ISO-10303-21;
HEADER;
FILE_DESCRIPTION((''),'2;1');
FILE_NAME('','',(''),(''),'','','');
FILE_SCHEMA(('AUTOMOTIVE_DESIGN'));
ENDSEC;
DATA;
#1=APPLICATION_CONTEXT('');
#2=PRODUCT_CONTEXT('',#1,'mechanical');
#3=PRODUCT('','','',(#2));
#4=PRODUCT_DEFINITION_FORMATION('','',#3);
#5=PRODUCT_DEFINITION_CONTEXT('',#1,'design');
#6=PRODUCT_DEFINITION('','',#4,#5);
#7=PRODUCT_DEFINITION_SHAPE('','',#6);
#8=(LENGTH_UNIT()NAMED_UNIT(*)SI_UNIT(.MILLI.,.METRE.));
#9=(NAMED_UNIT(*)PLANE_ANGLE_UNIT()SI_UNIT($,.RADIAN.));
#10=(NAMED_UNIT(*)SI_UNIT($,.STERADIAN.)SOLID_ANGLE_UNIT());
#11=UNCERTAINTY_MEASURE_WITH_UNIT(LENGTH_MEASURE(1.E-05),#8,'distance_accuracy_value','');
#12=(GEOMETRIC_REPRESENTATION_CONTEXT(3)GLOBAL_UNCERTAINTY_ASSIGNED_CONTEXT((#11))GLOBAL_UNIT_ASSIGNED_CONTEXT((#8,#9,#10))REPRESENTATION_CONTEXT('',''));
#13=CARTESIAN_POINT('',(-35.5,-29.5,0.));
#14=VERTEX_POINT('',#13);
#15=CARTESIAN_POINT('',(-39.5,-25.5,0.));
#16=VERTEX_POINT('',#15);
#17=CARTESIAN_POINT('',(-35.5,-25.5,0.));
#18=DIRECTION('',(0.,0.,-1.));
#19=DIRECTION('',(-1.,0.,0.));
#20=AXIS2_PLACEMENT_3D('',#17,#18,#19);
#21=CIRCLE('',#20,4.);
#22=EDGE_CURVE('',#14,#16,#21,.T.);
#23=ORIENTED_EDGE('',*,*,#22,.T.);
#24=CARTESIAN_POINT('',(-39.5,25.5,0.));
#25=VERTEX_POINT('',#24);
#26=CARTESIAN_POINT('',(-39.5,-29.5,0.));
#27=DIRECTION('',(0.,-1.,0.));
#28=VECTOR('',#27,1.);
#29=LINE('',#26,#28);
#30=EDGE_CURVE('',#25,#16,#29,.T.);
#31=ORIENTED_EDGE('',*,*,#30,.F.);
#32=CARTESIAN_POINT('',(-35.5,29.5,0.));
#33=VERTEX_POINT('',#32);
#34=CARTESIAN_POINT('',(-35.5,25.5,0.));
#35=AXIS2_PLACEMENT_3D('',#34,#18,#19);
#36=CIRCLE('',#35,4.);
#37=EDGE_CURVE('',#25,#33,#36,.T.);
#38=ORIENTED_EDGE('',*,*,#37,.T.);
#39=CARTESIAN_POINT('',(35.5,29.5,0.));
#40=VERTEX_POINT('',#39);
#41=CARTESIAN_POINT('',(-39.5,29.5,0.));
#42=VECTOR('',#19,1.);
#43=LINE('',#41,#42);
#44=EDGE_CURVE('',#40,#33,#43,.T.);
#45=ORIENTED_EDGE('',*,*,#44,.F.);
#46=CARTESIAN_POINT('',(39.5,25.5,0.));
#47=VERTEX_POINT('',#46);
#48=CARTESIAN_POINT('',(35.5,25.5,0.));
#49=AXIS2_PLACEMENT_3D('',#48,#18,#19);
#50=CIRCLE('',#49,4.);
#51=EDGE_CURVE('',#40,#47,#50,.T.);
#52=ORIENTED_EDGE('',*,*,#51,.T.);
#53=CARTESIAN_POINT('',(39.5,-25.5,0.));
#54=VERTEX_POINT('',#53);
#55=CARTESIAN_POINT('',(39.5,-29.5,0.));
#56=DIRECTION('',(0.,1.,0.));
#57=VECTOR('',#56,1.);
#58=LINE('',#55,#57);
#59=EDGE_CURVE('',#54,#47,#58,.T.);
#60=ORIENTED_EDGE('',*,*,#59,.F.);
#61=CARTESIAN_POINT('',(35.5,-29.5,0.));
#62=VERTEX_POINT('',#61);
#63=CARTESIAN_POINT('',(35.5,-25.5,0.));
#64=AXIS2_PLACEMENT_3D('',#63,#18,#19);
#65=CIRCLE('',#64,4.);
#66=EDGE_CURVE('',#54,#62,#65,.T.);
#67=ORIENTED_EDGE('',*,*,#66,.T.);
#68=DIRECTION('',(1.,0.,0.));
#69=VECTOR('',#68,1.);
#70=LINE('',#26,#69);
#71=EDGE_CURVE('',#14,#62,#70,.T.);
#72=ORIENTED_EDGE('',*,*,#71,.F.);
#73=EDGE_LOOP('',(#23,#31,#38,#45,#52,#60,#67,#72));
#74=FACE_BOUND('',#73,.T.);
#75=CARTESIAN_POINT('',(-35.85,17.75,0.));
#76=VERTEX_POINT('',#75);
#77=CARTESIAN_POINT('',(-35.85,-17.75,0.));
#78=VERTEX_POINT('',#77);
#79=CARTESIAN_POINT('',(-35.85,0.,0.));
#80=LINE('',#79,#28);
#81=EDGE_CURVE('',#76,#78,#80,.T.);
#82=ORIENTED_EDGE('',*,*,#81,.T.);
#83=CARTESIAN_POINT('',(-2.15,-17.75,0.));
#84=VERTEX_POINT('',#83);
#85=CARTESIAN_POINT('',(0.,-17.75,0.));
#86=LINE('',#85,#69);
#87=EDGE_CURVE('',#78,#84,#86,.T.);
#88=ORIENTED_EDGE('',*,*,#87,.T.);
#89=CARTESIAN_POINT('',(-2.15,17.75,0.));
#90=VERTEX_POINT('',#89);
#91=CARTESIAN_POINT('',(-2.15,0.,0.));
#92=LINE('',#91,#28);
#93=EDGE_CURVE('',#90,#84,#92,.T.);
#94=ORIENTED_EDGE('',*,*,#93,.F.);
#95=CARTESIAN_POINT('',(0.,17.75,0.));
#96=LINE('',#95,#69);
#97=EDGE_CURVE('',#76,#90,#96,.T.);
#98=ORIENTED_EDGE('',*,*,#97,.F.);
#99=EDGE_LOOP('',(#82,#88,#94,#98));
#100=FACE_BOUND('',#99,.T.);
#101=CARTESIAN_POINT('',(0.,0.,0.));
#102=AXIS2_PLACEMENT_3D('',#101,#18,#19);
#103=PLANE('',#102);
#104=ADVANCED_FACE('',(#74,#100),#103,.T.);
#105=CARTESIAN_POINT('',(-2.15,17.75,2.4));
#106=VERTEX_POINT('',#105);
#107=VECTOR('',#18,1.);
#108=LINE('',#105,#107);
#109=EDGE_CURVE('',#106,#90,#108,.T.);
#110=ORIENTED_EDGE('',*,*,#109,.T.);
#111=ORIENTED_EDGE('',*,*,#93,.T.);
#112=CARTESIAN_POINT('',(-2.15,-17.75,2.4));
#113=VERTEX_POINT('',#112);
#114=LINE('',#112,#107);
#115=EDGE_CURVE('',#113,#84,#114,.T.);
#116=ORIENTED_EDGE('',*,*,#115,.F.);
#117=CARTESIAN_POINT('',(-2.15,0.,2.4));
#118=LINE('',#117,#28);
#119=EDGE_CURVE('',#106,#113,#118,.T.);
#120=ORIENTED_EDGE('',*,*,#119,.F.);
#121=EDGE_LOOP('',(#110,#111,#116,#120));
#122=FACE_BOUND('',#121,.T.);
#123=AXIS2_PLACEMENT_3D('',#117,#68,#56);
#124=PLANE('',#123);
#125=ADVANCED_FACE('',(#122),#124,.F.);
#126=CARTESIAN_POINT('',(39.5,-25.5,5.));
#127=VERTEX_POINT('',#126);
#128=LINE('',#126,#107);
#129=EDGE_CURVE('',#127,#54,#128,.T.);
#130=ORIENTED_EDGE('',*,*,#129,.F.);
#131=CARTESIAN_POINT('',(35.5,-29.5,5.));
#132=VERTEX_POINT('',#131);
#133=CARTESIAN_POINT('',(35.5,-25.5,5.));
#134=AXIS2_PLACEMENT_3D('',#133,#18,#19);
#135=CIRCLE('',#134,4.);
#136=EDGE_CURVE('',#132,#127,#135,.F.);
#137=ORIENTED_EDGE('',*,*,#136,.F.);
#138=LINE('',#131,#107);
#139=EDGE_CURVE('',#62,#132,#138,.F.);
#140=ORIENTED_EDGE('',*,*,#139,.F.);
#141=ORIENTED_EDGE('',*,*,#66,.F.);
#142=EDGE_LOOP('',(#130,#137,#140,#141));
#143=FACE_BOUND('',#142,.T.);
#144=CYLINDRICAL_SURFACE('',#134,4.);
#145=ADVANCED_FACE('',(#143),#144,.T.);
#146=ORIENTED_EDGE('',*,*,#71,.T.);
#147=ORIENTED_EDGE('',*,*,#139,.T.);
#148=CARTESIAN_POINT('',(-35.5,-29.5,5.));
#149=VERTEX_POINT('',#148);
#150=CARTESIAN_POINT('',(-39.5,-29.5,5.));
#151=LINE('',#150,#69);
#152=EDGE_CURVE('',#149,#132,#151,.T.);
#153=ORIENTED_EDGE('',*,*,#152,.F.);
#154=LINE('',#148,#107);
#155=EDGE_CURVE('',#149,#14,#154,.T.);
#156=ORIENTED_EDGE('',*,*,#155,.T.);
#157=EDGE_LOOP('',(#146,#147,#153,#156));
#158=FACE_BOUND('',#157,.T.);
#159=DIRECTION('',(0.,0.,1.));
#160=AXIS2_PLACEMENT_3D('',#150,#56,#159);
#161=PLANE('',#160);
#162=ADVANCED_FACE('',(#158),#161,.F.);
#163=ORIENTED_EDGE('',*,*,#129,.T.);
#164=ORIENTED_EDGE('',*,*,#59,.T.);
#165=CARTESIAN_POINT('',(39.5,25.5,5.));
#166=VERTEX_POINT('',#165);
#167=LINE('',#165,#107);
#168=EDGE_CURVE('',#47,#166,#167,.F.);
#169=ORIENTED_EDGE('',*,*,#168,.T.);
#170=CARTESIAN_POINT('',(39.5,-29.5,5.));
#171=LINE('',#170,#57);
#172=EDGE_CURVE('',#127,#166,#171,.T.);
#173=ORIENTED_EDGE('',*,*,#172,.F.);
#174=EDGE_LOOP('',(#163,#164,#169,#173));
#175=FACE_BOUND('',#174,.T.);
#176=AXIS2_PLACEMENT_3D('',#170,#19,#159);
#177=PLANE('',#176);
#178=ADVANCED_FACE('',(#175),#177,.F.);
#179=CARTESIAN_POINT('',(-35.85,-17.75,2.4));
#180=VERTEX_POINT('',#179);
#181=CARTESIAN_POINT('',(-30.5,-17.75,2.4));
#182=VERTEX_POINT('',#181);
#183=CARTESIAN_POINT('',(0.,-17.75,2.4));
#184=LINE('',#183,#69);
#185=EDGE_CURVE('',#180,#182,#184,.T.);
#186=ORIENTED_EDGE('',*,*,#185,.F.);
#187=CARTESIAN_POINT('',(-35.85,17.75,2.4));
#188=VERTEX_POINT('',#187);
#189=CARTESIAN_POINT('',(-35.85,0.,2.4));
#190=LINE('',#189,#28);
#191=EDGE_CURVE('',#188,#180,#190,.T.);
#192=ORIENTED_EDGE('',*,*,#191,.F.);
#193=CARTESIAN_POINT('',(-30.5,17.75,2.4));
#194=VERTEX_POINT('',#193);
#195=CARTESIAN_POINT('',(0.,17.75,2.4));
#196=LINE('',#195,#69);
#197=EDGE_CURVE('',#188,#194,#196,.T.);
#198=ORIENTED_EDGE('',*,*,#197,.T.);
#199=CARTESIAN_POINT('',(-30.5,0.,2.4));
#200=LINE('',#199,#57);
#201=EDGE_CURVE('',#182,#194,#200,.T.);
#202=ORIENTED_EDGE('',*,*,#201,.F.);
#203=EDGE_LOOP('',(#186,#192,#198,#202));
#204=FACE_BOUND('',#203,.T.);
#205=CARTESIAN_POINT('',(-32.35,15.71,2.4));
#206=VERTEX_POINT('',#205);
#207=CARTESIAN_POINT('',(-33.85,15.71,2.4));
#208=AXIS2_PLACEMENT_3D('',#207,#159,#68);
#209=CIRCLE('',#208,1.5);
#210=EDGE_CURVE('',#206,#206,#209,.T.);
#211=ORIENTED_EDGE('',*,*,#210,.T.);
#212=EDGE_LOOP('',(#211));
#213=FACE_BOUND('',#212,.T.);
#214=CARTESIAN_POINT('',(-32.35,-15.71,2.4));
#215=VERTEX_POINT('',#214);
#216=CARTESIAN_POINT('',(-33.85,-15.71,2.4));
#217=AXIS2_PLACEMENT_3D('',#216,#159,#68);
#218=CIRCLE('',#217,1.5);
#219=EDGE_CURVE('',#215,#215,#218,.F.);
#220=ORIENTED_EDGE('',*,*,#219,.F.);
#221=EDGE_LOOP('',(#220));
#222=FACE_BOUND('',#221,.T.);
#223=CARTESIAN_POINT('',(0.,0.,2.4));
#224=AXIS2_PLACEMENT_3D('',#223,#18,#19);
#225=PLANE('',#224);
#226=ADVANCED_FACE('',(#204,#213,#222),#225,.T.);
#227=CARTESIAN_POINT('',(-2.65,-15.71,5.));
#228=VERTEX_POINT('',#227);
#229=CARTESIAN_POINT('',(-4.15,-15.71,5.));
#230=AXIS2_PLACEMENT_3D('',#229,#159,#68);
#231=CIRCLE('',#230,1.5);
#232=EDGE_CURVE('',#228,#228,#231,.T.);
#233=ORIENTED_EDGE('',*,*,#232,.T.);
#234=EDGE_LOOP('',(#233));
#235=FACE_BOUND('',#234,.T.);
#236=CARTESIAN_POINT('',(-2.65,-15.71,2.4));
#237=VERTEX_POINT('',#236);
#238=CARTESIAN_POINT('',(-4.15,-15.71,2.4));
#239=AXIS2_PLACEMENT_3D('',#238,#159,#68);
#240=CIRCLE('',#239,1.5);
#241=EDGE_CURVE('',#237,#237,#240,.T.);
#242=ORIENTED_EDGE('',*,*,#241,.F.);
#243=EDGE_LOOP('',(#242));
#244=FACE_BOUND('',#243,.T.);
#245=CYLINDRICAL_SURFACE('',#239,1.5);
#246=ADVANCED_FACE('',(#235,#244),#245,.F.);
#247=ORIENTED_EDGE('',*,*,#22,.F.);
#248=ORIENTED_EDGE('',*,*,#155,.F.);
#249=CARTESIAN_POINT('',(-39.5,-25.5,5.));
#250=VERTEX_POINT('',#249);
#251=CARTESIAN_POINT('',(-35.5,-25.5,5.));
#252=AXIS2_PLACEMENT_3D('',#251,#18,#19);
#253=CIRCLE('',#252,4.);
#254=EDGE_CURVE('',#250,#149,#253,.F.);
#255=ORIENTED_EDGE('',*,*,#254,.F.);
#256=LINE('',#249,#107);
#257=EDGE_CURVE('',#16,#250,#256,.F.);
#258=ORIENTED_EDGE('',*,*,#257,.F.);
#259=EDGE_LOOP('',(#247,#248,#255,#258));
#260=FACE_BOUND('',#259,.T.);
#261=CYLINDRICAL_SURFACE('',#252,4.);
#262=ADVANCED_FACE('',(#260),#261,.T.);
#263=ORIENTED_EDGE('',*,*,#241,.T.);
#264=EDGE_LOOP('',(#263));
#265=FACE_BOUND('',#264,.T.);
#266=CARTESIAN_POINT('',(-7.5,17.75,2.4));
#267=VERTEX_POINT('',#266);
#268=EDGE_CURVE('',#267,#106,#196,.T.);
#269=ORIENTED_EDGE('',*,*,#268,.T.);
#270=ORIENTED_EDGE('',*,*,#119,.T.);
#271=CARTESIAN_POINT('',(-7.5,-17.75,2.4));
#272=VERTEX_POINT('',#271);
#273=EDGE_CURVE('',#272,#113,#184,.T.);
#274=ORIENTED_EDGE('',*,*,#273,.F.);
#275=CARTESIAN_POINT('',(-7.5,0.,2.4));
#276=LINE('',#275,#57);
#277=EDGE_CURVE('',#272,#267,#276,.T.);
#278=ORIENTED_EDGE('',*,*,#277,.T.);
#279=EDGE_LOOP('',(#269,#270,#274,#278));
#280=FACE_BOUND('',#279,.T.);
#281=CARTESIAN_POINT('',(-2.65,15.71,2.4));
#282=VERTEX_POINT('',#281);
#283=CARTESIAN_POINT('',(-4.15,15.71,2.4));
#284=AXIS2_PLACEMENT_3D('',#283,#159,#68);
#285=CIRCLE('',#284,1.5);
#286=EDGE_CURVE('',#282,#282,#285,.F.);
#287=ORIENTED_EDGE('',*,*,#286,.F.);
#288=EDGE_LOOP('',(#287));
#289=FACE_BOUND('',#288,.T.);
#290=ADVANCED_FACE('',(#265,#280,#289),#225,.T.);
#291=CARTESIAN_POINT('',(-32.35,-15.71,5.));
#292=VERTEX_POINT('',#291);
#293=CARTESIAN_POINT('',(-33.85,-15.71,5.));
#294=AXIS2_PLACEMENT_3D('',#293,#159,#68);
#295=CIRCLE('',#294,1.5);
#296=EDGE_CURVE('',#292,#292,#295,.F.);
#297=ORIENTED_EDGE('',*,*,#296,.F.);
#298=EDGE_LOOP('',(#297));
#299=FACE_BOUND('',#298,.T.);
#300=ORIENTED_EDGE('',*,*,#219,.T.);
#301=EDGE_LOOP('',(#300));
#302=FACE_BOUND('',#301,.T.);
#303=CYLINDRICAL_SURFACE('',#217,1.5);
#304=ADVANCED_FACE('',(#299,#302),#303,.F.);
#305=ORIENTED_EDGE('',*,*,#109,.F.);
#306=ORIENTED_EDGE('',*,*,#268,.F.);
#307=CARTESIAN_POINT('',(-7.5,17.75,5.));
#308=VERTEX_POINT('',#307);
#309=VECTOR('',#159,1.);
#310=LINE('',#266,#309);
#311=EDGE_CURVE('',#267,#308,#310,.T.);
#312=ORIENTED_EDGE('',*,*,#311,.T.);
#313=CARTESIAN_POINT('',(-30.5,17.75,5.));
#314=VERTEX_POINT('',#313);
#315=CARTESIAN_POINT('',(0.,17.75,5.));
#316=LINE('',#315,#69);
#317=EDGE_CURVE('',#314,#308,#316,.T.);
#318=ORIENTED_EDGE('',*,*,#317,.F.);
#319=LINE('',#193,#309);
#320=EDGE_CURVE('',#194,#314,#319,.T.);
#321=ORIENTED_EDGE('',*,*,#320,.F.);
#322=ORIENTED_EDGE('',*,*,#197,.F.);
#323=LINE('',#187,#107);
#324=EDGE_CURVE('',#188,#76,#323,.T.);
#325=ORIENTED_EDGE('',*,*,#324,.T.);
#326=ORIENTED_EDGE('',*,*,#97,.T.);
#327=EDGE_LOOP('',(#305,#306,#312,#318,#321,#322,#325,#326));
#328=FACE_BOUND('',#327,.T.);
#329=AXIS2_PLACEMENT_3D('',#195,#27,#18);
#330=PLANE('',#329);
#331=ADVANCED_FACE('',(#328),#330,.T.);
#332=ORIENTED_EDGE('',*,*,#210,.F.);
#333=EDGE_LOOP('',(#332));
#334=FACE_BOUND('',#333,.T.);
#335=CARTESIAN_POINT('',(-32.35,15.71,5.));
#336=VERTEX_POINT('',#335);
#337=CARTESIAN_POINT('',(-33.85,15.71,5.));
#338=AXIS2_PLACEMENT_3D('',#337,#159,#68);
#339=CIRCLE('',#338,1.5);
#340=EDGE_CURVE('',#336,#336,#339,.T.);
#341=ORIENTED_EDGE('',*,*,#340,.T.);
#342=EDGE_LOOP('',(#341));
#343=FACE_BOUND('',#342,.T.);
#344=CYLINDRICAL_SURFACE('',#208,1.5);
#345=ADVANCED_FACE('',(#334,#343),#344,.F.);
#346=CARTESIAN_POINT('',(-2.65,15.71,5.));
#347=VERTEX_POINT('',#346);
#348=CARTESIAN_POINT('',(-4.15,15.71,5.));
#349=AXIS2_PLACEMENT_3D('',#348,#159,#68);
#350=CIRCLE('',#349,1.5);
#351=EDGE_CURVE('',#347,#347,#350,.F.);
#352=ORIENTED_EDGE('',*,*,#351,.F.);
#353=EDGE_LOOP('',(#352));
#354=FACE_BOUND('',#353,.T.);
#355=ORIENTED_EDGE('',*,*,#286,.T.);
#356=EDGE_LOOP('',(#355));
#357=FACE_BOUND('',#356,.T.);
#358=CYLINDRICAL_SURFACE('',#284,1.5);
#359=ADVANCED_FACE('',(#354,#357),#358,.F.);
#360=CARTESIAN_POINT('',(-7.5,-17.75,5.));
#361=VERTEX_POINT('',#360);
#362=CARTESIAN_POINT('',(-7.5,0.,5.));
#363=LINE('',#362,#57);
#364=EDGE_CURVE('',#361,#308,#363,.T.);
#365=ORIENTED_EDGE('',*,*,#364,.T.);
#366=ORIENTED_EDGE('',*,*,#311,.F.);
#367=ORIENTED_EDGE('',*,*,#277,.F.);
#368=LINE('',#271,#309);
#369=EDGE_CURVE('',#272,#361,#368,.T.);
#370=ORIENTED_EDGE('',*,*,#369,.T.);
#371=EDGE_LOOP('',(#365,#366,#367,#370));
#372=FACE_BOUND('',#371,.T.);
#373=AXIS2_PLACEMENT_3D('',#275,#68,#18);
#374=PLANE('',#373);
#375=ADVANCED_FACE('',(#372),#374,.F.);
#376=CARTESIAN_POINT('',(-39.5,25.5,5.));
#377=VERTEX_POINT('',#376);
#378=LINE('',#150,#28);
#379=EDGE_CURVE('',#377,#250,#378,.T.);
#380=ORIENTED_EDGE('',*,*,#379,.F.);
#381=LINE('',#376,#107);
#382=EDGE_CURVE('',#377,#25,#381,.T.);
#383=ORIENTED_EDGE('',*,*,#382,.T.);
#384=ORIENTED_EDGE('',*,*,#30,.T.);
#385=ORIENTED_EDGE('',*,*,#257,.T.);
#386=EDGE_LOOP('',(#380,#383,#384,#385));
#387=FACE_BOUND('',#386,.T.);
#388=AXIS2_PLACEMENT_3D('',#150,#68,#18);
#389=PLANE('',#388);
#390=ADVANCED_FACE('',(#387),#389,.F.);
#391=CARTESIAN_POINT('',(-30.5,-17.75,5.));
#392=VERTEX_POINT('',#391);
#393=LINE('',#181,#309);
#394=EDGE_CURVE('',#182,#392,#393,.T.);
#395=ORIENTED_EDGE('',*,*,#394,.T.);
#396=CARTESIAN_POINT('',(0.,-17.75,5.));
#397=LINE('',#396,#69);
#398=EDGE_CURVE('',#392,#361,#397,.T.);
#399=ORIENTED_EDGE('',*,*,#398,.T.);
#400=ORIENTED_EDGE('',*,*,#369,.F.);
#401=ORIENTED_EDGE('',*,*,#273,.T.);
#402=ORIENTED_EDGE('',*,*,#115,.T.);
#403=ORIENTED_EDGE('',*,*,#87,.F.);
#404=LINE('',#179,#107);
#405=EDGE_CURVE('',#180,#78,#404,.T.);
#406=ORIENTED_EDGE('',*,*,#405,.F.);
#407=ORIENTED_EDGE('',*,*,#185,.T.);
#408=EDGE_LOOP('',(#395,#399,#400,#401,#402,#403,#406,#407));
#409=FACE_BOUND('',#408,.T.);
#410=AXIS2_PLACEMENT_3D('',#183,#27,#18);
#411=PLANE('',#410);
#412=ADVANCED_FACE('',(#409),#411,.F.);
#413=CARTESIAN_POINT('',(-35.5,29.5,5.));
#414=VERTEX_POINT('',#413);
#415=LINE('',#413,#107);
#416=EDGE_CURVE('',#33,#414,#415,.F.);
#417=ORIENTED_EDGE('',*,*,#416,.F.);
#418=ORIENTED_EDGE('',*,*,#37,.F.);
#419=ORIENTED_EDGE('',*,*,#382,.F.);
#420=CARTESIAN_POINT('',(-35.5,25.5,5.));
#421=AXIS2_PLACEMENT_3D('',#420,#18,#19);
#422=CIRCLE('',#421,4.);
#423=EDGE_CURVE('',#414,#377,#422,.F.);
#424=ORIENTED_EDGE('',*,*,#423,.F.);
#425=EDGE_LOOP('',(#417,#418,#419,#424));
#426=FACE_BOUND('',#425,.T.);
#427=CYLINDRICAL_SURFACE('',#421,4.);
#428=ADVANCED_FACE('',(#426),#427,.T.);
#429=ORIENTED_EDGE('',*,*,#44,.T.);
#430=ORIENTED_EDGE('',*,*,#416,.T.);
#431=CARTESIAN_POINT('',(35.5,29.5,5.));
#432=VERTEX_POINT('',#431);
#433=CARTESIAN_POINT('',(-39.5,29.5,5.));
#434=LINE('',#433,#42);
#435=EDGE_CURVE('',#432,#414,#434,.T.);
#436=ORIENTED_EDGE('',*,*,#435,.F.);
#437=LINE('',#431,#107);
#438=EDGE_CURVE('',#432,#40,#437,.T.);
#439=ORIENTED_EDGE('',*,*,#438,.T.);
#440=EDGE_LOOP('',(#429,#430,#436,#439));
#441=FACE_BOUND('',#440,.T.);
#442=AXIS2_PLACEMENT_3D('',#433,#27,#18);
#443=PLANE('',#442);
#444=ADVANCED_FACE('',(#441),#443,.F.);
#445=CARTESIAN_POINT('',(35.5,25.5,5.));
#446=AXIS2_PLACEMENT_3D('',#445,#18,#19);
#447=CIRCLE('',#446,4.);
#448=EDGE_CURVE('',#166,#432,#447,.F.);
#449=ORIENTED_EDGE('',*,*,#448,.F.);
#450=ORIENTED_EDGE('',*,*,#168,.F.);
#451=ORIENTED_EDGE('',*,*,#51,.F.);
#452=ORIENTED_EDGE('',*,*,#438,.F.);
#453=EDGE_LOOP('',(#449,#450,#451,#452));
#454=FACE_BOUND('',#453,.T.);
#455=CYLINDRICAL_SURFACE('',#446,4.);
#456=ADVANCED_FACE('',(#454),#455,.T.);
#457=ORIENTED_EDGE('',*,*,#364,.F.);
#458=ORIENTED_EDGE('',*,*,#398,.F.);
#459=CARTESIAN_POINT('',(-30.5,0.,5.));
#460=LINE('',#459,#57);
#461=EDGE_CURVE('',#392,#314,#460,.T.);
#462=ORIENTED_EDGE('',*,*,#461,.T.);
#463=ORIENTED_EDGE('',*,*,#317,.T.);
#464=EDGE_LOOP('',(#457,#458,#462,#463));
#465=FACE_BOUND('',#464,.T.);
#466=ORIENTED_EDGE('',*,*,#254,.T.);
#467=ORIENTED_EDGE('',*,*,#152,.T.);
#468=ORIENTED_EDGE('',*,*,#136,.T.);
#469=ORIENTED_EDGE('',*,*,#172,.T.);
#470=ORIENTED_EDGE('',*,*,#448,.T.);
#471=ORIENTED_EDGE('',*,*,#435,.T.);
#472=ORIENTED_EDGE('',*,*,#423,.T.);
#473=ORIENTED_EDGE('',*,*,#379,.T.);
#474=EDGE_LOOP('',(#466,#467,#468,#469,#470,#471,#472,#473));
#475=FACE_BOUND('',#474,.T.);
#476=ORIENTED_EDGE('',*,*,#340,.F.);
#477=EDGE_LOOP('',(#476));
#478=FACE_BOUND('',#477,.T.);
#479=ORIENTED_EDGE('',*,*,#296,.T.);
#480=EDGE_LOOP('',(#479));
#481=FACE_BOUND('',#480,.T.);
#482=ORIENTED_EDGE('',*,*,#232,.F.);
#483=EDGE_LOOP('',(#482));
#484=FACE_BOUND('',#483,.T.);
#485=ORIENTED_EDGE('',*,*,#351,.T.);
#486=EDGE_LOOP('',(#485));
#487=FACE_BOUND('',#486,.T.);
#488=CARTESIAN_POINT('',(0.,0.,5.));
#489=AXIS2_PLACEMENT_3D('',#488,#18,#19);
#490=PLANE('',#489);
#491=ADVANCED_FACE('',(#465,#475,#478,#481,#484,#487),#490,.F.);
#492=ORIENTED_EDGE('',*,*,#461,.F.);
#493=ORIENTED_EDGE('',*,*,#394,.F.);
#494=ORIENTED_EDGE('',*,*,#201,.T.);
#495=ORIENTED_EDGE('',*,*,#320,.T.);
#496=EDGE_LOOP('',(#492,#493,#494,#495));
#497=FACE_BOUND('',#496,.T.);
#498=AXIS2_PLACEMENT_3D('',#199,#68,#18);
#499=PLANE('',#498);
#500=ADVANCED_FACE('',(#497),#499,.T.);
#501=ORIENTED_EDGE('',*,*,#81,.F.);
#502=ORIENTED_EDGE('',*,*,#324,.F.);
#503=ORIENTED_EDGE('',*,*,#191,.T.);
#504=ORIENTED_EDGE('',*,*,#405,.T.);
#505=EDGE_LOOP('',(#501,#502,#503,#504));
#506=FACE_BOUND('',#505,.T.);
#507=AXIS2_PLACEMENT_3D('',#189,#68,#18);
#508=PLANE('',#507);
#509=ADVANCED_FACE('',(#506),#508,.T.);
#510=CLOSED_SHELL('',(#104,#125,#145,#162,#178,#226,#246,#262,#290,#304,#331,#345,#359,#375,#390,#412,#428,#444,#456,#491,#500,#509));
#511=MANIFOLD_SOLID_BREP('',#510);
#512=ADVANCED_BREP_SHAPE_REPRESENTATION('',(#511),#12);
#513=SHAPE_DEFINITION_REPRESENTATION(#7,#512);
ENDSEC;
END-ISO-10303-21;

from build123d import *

# Parameters (mm, degrees)
SKETCH1_W           = 79
SKETCH1_H           = 59
BOSS_EXTRUDE1_DEPTH = 5
SKETCH2_R           = 1.5
SKETCH2_W           = 23
SKETCH2_H           = 17.75
CUT_EXTRUDE1_DEPTH  = 2.6
SKETCH3_W           = 33.7
SKETCH3_H           = 35.5
CUT_EXTRUDE2_DEPTH  = 2.4
FILLET1_R           = 4


with BuildPart() as part:
    # Sketch1 → Boss-Extrude1 (new body)
    with BuildSketch(Plane.XY):
        Rectangle(SKETCH1_W, SKETCH1_H)
    extrude(amount=BOSS_EXTRUDE1_DEPTH)

    # Sketch2 → Cut-Extrude1 (cut)
    with BuildSketch(Plane.XY.offset(5)):
        with Locations((-4.15, 15.71)):
            Circle(SKETCH2_R)
        with Locations((-4.15, -15.71)):
            Circle(SKETCH2_R)
        with Locations((-33.85, -15.71)):
            Circle(SKETCH2_R)
        with Locations((-33.85, 15.71)):
            Circle(SKETCH2_R)
        with Locations((-19, -8.875)):
            Rectangle(SKETCH2_W, SKETCH2_H)
        with Locations((-19, 8.875)):
            Rectangle(SKETCH2_W, SKETCH2_H)
    extrude(amount=-CUT_EXTRUDE1_DEPTH, mode=Mode.SUBTRACT)

    # Sketch3 → Cut-Extrude2 (cut)
    with BuildSketch(Plane(origin=(0, 0, 0), x_dir=(-1, 0, 0), z_dir=(0, 0, -1))):
        with Locations((19, 0)):
            Rectangle(SKETCH3_W, SKETCH3_H)
    extrude(amount=-CUT_EXTRUDE2_DEPTH, mode=Mode.SUBTRACT)

    # Fillet1
    fillet1_edges = [part.edges().sort_by_distance(p)[0] for p in [
        (39.5, -29.5, 2.5),
        (-39.5, -29.5, 2.5),
        (-39.5, 29.5, 2.5),
        (39.5, 29.5, 2.5),
    ]]
    fillet(fillet1_edges, radius=FILLET1_R)


solid = part.part
